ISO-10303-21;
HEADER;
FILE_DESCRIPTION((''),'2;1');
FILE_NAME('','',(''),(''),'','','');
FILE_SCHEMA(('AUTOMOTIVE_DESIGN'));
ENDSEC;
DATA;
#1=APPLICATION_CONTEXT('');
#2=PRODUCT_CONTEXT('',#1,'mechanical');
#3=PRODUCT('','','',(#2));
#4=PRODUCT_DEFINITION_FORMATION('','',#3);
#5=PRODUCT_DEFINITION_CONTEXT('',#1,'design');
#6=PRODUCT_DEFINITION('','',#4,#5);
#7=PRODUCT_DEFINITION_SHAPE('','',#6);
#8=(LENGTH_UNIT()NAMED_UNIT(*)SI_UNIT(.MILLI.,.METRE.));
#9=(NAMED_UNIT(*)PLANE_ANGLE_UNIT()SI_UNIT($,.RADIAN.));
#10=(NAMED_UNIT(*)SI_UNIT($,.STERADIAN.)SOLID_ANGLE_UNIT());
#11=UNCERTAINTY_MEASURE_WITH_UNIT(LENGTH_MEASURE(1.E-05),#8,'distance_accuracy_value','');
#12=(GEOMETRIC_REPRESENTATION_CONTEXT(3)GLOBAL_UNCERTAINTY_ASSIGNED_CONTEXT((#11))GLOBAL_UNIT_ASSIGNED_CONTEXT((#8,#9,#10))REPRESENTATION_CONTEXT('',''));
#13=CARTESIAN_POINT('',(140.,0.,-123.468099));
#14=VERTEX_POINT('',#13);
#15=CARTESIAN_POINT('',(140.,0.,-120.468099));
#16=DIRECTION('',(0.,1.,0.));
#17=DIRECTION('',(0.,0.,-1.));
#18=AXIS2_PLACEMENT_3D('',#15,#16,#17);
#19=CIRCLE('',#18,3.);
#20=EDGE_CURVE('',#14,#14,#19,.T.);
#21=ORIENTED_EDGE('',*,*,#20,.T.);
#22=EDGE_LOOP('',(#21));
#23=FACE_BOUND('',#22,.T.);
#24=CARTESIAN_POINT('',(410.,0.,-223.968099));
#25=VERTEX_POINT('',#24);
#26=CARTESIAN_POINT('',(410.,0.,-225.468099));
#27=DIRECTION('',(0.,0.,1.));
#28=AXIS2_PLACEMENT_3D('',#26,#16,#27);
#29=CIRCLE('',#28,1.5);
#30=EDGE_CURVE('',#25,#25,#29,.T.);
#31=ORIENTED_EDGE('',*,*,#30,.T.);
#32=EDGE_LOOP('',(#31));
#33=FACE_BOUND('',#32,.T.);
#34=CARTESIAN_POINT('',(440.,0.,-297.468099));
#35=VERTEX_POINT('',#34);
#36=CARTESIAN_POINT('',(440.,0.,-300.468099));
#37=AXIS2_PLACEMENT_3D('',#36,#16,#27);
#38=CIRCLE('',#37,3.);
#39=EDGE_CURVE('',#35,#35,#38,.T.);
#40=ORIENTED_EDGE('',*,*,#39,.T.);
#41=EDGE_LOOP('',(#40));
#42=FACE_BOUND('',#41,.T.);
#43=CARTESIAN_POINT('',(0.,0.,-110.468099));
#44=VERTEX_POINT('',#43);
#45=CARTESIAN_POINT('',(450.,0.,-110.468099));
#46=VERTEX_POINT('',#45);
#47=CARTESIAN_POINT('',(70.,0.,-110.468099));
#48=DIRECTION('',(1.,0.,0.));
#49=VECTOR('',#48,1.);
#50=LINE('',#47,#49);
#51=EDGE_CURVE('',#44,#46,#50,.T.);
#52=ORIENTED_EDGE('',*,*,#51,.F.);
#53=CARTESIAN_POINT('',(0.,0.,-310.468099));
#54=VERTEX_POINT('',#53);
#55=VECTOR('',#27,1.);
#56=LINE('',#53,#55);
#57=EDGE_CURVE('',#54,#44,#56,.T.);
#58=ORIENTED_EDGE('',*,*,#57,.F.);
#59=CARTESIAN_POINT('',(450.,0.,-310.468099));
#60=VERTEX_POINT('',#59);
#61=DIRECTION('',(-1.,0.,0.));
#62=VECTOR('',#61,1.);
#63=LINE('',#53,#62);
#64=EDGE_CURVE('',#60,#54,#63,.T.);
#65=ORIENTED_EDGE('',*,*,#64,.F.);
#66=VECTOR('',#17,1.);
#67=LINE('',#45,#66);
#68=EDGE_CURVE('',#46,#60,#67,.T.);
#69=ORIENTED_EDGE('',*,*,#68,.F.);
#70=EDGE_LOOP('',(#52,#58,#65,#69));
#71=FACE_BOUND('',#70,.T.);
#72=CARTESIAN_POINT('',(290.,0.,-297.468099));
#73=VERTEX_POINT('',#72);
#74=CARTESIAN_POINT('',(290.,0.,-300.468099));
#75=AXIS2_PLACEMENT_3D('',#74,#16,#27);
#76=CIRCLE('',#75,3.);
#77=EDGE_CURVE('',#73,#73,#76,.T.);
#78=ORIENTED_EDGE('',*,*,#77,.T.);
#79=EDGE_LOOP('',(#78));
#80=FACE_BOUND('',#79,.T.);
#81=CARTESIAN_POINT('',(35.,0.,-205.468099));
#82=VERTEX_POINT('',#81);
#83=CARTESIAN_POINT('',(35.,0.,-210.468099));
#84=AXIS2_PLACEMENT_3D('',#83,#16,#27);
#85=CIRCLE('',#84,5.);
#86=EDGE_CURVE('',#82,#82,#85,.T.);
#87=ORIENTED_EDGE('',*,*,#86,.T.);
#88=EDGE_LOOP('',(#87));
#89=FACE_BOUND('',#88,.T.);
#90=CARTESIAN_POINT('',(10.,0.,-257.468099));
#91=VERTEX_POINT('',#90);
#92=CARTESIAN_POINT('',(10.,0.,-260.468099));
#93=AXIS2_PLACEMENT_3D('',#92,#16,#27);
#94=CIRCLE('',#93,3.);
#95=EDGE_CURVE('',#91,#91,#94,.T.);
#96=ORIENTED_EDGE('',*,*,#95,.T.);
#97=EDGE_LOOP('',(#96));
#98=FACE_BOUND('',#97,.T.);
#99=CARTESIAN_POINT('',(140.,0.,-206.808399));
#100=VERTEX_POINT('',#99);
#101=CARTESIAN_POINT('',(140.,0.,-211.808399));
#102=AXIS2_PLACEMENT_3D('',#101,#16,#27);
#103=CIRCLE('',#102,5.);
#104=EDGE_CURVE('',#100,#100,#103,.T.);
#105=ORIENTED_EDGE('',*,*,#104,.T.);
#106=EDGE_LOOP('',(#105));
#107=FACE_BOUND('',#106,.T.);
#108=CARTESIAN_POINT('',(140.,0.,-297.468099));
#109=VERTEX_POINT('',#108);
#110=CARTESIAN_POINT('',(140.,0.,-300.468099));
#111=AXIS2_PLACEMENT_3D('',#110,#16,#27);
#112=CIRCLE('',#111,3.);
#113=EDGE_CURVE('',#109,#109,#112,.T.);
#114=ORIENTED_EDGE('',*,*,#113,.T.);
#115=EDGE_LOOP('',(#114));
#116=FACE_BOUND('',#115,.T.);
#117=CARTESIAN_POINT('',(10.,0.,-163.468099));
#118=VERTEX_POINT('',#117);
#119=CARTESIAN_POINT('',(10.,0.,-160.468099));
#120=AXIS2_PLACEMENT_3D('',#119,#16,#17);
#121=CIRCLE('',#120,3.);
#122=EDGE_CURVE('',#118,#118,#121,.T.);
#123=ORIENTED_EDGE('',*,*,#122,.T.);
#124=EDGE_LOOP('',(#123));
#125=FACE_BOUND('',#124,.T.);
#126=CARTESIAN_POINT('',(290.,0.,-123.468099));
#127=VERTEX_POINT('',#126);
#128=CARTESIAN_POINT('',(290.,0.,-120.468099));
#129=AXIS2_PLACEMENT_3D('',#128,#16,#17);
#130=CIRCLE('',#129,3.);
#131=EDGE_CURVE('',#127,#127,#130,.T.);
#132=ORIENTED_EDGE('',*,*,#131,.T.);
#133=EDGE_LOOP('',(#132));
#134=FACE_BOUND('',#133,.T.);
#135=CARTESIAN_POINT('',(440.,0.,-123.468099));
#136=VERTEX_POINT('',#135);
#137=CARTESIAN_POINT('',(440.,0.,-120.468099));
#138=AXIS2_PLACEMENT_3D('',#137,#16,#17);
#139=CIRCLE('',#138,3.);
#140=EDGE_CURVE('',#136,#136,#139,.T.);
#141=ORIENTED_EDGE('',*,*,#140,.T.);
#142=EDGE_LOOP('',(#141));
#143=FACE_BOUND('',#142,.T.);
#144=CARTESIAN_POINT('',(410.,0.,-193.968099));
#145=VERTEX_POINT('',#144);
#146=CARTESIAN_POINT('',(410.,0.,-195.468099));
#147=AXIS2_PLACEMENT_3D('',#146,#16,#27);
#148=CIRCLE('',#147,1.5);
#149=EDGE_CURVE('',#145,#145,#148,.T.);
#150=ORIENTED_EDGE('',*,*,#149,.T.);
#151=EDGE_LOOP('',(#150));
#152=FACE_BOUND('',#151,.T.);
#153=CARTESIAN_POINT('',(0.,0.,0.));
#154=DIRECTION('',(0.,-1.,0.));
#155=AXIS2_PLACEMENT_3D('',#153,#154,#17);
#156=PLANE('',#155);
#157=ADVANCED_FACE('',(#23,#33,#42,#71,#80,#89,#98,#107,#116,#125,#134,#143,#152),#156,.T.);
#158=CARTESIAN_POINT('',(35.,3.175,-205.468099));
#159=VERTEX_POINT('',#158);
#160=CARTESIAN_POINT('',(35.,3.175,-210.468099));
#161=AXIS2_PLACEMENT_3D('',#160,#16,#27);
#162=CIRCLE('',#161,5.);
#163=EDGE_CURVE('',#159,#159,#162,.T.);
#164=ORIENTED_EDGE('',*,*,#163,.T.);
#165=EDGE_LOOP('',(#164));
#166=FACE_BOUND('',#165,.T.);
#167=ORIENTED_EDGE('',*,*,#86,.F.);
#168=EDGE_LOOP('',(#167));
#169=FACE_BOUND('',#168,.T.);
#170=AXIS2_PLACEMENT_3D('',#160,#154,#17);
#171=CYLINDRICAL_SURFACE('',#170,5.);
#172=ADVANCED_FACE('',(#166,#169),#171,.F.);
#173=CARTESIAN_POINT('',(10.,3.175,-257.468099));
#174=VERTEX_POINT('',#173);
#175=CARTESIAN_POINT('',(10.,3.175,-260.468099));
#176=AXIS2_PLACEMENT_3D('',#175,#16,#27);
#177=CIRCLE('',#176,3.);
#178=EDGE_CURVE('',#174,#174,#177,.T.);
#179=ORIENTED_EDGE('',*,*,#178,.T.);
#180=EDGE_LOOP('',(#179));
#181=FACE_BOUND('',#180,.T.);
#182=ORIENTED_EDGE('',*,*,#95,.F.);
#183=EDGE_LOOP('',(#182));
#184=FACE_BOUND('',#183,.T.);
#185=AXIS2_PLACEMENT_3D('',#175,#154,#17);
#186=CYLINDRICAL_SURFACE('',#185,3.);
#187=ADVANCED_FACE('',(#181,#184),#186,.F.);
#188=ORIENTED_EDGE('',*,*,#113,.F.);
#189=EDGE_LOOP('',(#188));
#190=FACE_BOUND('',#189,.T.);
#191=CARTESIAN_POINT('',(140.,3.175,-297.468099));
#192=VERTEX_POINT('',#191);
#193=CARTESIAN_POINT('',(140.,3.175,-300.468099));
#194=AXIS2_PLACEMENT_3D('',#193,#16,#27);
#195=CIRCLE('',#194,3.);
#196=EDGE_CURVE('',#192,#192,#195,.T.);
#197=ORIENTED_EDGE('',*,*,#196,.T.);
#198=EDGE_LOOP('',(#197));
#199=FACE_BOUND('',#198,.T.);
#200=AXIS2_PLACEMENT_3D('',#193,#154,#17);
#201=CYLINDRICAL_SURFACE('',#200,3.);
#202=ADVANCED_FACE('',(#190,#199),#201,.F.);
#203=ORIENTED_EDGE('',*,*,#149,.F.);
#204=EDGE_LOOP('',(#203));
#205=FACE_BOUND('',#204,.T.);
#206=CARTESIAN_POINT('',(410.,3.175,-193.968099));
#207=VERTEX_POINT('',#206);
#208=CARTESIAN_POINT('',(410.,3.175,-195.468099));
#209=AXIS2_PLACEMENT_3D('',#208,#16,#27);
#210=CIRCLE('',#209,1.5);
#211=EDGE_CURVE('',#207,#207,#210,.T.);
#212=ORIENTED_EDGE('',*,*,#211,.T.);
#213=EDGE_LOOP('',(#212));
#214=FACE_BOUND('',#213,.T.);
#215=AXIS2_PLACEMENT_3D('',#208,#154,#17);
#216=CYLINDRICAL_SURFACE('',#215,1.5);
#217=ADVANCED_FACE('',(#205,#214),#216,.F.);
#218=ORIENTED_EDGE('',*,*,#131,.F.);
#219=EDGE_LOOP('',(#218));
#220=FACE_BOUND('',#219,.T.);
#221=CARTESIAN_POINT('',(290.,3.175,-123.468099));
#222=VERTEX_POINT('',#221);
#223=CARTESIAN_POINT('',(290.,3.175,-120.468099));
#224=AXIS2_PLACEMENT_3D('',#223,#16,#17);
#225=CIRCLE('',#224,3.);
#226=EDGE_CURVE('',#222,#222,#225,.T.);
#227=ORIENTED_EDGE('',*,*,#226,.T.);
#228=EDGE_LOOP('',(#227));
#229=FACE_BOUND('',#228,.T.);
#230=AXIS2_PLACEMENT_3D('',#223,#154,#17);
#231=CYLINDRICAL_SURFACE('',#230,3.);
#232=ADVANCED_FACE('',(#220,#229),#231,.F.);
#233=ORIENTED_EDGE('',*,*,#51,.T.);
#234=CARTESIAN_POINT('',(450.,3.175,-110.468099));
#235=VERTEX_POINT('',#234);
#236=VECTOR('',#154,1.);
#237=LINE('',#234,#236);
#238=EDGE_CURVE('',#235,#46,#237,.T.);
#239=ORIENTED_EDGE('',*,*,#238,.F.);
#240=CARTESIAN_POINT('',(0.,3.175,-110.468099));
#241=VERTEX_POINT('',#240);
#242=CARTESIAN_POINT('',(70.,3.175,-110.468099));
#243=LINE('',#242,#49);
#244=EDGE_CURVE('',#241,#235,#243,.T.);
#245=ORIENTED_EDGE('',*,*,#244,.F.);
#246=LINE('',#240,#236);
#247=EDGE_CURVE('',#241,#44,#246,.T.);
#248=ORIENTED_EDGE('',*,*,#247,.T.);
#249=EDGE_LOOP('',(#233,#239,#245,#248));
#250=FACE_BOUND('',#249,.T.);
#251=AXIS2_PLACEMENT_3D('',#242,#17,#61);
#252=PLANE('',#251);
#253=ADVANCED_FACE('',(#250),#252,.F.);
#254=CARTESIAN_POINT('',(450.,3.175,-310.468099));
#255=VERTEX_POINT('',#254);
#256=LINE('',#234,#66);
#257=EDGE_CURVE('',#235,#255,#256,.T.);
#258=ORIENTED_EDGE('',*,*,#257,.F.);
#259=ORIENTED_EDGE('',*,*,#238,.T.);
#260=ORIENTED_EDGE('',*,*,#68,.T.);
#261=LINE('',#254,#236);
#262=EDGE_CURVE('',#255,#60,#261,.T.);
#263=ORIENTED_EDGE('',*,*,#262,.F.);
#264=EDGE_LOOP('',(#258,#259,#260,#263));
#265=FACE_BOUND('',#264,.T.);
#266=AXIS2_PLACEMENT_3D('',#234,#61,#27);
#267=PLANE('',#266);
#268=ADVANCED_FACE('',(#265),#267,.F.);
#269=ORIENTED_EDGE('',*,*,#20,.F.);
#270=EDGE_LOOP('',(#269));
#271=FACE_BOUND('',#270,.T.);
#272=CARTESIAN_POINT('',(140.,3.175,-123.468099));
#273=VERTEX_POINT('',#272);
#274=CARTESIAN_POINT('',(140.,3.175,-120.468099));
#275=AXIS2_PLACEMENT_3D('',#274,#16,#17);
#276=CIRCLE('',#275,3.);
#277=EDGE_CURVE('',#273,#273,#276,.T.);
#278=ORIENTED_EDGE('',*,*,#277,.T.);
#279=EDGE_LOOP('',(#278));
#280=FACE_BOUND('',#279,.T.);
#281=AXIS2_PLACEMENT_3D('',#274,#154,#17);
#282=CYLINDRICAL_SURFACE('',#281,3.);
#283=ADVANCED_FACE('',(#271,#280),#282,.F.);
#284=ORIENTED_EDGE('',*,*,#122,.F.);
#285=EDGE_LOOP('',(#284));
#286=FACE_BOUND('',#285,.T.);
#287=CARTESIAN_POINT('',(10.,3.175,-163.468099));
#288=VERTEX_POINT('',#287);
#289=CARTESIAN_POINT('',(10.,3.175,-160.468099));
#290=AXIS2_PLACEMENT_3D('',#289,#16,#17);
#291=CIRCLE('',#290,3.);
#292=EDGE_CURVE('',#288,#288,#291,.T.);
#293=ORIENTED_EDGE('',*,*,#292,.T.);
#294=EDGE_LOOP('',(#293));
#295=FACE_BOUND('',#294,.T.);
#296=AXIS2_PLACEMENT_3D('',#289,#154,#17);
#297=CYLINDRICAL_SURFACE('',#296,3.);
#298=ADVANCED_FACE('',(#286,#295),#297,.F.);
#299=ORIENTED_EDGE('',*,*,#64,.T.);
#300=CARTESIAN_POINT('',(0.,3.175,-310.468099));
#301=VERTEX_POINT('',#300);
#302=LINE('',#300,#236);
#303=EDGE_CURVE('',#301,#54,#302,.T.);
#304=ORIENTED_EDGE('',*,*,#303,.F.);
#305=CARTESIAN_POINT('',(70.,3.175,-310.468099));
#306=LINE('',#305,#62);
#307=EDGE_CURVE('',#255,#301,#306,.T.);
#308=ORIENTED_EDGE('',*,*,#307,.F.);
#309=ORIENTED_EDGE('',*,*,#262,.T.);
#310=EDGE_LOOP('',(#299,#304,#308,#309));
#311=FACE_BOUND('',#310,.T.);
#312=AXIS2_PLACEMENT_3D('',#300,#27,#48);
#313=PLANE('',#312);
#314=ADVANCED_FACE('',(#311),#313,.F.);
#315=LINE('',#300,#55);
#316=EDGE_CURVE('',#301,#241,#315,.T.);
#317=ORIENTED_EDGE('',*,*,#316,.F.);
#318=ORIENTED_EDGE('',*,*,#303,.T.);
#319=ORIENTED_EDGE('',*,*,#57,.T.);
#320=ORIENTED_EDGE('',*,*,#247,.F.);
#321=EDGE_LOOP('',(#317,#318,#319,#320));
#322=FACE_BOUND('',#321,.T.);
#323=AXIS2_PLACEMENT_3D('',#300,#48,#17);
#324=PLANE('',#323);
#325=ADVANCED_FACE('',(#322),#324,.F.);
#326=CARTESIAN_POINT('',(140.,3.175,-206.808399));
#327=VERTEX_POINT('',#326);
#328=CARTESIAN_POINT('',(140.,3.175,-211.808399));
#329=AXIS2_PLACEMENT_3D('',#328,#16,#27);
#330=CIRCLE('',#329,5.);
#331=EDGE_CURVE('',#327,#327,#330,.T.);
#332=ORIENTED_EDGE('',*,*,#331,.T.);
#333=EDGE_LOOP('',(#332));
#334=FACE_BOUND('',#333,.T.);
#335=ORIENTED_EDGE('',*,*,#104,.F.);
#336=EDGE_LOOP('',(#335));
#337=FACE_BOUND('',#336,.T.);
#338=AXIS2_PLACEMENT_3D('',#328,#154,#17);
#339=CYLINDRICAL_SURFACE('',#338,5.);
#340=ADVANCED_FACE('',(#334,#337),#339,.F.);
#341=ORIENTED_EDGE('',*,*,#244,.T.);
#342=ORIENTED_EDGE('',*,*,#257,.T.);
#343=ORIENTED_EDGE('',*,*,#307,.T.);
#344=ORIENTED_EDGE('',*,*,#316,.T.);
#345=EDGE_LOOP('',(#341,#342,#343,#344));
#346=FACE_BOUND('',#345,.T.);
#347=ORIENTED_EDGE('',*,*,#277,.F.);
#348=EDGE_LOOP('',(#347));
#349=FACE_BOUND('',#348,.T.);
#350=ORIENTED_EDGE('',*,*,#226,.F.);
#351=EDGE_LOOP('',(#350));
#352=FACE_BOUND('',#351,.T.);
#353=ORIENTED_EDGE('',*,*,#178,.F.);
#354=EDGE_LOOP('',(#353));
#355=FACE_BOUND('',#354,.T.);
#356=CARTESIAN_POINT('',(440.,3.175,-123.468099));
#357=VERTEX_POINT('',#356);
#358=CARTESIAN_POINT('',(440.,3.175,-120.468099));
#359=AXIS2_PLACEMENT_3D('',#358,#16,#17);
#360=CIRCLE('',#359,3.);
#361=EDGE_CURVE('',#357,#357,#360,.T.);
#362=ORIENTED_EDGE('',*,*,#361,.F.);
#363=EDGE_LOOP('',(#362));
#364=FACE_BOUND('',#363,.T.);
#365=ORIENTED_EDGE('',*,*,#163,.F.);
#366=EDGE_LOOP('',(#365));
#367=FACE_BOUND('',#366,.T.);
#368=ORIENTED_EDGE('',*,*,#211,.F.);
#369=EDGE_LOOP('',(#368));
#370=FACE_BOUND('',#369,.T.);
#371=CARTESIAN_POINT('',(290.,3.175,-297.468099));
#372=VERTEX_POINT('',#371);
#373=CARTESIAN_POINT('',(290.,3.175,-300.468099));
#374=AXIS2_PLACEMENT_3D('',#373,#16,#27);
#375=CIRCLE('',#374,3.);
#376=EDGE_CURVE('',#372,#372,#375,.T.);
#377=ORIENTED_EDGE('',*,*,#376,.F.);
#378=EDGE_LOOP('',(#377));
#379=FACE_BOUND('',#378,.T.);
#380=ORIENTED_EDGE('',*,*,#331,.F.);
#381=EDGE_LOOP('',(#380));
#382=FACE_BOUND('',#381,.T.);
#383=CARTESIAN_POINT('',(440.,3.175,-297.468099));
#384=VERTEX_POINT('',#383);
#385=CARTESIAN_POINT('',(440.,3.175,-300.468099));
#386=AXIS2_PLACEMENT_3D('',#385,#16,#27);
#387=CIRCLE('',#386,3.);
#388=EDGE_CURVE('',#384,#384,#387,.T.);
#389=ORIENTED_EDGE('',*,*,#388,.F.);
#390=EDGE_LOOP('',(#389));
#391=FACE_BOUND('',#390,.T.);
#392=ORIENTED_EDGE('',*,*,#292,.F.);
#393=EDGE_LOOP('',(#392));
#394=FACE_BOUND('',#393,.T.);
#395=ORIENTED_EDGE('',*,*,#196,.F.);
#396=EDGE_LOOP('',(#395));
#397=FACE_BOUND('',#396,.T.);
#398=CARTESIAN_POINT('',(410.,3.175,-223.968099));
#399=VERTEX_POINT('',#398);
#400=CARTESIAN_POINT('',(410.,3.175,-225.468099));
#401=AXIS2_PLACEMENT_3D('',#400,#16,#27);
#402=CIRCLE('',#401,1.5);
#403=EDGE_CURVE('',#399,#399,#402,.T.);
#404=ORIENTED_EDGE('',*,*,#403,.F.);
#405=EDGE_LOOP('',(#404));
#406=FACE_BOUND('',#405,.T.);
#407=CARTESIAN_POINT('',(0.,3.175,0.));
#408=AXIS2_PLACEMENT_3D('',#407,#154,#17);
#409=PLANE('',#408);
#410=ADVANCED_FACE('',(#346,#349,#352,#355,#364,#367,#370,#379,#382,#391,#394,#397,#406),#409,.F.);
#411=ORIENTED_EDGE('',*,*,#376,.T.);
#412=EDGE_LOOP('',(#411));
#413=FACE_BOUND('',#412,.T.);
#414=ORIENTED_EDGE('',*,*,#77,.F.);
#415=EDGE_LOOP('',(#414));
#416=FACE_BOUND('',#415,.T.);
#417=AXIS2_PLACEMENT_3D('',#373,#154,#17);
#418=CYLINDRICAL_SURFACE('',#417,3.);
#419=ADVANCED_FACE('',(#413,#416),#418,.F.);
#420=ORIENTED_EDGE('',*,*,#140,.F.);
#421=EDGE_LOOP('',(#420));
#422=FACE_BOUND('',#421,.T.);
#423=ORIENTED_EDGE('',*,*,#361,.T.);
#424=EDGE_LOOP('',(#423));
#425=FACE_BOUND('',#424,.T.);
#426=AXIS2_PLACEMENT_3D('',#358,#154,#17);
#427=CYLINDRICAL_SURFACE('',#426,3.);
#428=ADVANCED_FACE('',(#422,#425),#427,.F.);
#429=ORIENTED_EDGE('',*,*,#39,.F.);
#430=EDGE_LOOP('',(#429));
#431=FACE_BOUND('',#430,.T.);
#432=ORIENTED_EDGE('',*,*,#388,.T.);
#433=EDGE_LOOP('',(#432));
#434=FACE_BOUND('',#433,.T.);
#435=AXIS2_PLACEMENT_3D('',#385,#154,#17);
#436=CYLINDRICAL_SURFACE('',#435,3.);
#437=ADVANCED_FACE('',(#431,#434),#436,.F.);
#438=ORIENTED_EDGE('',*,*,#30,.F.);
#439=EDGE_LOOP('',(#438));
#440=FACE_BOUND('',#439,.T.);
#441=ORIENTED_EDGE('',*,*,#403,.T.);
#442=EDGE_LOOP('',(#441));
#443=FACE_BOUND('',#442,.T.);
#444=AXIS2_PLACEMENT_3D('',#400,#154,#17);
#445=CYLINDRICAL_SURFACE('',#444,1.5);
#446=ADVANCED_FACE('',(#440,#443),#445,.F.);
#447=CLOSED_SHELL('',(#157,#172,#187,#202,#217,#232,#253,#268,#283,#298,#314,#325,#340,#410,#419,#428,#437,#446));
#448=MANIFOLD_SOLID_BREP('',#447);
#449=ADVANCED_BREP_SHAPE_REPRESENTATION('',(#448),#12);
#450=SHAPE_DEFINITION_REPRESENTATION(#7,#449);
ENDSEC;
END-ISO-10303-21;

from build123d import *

# Parameters (mm, degrees)
SKETCH1_R           = 1.5
SKETCH1_R_2         = 3
SKETCH1_R_3         = 5
BOSS_EXTRUDE1_DEPTH = 3.175


with BuildPart() as part:
    # Sketch1 → Boss-Extrude1 (new body)
    with BuildSketch(Plane(origin=(0, 0, 0), x_dir=(1, 0, 0), z_dir=(0, 1, 0))):
        Polygon((70, 110.468098835), (450, 110.468098835), (450, 310.468098835), (70, 310.468098835), (0, 310.468098835), (0, 110.468098835), align=None)
        with Locations(Location((410, 225.468098835, 0), (0, 0, 270))):
            Circle(SKETCH1_R, mode=Mode.SUBTRACT)
        with Locations(Location((410, 195.468098835, 0), (0, 0, 270))):
            Circle(SKETCH1_R, mode=Mode.SUBTRACT)
        with Locations(Location((10, 260.468098835, 0), (0, 0, 270))):
            Circle(SKETCH1_R_2, mode=Mode.SUBTRACT)
        with Locations(Location((440, 300.468098835, 0), (0, 0, 270))):
            Circle(SKETCH1_R_2, mode=Mode.SUBTRACT)
        with Locations(Location((140, 300.468098835, 0), (0, 0, 270))):
            Circle(SKETCH1_R_2, mode=Mode.SUBTRACT)
        with Locations(Location((290, 300.468098835, 0), (0, 0, 270))):
            Circle(SKETCH1_R_2, mode=Mode.SUBTRACT)
        with Locations(Location((440, 120.468098835, 0), (0, 0, 90))):
            Circle(SKETCH1_R_2, mode=Mode.SUBTRACT)
        with Locations(Location((290, 120.468098835, 0), (0, 0, 90))):
            Circle(SKETCH1_R_2, mode=Mode.SUBTRACT)
        with Locations(Location((140, 120.468098835, 0), (0, 0, 90))):
            Circle(SKETCH1_R_2, mode=Mode.SUBTRACT)
        with Locations(Location((10, 160.468098835, 0), (0, 0, 90))):
            Circle(SKETCH1_R_2, mode=Mode.SUBTRACT)
        with Locations(Location((35, 210.468098835, 0), (0, 0, 270))):
            Circle(SKETCH1_R_3, mode=Mode.SUBTRACT)
        with Locations(Location((140, 211.808399399, 0), (0, 0, 270))):
            Circle(SKETCH1_R_3, mode=Mode.SUBTRACT)
    extrude(amount=BOSS_EXTRUDE1_DEPTH)


solid = part.part
